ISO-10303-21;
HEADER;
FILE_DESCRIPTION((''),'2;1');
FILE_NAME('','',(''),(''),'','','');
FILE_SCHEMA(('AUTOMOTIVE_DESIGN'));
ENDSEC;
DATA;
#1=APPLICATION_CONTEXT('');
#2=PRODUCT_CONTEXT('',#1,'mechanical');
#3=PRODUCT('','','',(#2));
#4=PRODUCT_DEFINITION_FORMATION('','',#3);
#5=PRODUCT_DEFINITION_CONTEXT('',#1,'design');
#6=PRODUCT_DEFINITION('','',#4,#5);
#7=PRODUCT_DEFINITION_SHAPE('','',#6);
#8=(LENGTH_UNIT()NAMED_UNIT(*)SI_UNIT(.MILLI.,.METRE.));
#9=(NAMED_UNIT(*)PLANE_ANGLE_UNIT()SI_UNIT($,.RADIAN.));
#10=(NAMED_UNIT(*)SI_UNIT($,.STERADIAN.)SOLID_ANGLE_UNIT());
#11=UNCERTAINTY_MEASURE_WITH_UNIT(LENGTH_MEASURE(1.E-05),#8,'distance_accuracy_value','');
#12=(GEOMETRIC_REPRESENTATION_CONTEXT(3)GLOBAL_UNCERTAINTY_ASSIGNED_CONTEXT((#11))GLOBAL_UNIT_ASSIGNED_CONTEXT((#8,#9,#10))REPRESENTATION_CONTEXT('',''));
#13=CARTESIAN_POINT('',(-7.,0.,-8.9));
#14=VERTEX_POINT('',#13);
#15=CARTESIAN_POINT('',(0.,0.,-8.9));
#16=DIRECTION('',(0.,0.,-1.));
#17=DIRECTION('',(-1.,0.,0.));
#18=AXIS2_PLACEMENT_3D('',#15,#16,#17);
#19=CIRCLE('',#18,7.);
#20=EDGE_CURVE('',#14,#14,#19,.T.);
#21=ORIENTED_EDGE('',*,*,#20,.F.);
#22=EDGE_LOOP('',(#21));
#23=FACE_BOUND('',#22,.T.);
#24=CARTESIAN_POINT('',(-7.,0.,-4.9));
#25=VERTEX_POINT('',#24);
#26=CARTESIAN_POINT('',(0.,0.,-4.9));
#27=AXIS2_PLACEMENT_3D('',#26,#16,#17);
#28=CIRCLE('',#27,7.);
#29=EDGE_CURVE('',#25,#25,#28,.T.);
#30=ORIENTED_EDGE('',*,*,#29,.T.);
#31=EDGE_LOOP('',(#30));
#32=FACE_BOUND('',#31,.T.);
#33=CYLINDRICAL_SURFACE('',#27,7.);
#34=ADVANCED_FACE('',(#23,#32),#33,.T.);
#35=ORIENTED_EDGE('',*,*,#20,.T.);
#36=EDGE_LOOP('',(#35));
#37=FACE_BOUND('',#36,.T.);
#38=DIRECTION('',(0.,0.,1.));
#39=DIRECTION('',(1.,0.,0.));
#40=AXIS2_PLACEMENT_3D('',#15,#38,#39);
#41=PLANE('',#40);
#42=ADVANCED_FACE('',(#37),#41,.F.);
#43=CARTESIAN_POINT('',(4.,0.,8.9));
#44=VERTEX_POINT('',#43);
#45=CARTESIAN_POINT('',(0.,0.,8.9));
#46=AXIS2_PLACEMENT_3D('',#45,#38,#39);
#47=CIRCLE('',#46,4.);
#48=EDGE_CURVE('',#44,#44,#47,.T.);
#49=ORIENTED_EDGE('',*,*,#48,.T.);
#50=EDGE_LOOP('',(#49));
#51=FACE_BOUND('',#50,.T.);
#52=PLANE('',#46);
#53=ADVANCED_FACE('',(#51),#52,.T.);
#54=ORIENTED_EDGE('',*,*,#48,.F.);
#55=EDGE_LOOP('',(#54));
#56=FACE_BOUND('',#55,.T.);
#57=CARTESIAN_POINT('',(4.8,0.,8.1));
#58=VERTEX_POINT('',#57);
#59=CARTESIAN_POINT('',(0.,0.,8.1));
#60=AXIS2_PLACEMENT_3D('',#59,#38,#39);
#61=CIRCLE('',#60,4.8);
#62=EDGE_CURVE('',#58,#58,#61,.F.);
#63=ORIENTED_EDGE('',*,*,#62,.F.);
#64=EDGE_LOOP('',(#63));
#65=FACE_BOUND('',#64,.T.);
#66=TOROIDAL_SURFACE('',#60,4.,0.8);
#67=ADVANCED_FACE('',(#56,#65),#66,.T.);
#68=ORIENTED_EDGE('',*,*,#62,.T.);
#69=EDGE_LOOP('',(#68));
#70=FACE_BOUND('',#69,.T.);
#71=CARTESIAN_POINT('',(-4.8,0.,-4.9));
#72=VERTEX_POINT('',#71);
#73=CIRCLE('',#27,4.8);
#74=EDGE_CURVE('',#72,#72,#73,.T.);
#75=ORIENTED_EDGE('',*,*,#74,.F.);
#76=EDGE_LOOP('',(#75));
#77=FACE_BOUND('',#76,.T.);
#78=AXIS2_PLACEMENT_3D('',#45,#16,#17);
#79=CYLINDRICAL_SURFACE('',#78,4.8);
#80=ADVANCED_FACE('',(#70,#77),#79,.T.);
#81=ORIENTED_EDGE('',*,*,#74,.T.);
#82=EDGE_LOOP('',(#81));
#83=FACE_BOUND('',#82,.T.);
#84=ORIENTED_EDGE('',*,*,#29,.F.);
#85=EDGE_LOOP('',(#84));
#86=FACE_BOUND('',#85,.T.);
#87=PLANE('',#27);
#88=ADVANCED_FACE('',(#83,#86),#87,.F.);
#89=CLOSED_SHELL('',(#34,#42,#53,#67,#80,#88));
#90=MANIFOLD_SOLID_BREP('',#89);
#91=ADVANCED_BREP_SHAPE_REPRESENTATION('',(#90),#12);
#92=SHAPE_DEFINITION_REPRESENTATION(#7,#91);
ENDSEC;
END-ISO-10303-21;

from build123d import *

# Parameters (mm, degrees)
SKETCH1_R           = 4.8
BOSS_EXTRUDE1_DEPTH = 8.9
FILLET1_R           = 0.8
SKETCH2_R           = 7
BOSS_EXTRUDE2_DEPTH = 4


with BuildPart() as part:
    # Sketch1 → Boss-Extrude1 (new body, symmetric)
    with BuildSketch(Plane.XY):
        Circle(SKETCH1_R)
    extrude(amount=BOSS_EXTRUDE1_DEPTH, both=True)

    # Fillet1
    fillet1_edges = [part.edges().sort_by_distance(p)[0] for p in [
        (-4.8, 0, 8.9),
    ]]
    fillet(fillet1_edges, radius=FILLET1_R)

    # Sketch2 → Boss-Extrude2 (add)
    with BuildSketch(Plane(origin=(0, 0, -8.9), x_dir=(-1, 0, 0), z_dir=(0, 0, -1))):
        Circle(SKETCH2_R)
    extrude(amount=-BOSS_EXTRUDE2_DEPTH)


solid = part.part
